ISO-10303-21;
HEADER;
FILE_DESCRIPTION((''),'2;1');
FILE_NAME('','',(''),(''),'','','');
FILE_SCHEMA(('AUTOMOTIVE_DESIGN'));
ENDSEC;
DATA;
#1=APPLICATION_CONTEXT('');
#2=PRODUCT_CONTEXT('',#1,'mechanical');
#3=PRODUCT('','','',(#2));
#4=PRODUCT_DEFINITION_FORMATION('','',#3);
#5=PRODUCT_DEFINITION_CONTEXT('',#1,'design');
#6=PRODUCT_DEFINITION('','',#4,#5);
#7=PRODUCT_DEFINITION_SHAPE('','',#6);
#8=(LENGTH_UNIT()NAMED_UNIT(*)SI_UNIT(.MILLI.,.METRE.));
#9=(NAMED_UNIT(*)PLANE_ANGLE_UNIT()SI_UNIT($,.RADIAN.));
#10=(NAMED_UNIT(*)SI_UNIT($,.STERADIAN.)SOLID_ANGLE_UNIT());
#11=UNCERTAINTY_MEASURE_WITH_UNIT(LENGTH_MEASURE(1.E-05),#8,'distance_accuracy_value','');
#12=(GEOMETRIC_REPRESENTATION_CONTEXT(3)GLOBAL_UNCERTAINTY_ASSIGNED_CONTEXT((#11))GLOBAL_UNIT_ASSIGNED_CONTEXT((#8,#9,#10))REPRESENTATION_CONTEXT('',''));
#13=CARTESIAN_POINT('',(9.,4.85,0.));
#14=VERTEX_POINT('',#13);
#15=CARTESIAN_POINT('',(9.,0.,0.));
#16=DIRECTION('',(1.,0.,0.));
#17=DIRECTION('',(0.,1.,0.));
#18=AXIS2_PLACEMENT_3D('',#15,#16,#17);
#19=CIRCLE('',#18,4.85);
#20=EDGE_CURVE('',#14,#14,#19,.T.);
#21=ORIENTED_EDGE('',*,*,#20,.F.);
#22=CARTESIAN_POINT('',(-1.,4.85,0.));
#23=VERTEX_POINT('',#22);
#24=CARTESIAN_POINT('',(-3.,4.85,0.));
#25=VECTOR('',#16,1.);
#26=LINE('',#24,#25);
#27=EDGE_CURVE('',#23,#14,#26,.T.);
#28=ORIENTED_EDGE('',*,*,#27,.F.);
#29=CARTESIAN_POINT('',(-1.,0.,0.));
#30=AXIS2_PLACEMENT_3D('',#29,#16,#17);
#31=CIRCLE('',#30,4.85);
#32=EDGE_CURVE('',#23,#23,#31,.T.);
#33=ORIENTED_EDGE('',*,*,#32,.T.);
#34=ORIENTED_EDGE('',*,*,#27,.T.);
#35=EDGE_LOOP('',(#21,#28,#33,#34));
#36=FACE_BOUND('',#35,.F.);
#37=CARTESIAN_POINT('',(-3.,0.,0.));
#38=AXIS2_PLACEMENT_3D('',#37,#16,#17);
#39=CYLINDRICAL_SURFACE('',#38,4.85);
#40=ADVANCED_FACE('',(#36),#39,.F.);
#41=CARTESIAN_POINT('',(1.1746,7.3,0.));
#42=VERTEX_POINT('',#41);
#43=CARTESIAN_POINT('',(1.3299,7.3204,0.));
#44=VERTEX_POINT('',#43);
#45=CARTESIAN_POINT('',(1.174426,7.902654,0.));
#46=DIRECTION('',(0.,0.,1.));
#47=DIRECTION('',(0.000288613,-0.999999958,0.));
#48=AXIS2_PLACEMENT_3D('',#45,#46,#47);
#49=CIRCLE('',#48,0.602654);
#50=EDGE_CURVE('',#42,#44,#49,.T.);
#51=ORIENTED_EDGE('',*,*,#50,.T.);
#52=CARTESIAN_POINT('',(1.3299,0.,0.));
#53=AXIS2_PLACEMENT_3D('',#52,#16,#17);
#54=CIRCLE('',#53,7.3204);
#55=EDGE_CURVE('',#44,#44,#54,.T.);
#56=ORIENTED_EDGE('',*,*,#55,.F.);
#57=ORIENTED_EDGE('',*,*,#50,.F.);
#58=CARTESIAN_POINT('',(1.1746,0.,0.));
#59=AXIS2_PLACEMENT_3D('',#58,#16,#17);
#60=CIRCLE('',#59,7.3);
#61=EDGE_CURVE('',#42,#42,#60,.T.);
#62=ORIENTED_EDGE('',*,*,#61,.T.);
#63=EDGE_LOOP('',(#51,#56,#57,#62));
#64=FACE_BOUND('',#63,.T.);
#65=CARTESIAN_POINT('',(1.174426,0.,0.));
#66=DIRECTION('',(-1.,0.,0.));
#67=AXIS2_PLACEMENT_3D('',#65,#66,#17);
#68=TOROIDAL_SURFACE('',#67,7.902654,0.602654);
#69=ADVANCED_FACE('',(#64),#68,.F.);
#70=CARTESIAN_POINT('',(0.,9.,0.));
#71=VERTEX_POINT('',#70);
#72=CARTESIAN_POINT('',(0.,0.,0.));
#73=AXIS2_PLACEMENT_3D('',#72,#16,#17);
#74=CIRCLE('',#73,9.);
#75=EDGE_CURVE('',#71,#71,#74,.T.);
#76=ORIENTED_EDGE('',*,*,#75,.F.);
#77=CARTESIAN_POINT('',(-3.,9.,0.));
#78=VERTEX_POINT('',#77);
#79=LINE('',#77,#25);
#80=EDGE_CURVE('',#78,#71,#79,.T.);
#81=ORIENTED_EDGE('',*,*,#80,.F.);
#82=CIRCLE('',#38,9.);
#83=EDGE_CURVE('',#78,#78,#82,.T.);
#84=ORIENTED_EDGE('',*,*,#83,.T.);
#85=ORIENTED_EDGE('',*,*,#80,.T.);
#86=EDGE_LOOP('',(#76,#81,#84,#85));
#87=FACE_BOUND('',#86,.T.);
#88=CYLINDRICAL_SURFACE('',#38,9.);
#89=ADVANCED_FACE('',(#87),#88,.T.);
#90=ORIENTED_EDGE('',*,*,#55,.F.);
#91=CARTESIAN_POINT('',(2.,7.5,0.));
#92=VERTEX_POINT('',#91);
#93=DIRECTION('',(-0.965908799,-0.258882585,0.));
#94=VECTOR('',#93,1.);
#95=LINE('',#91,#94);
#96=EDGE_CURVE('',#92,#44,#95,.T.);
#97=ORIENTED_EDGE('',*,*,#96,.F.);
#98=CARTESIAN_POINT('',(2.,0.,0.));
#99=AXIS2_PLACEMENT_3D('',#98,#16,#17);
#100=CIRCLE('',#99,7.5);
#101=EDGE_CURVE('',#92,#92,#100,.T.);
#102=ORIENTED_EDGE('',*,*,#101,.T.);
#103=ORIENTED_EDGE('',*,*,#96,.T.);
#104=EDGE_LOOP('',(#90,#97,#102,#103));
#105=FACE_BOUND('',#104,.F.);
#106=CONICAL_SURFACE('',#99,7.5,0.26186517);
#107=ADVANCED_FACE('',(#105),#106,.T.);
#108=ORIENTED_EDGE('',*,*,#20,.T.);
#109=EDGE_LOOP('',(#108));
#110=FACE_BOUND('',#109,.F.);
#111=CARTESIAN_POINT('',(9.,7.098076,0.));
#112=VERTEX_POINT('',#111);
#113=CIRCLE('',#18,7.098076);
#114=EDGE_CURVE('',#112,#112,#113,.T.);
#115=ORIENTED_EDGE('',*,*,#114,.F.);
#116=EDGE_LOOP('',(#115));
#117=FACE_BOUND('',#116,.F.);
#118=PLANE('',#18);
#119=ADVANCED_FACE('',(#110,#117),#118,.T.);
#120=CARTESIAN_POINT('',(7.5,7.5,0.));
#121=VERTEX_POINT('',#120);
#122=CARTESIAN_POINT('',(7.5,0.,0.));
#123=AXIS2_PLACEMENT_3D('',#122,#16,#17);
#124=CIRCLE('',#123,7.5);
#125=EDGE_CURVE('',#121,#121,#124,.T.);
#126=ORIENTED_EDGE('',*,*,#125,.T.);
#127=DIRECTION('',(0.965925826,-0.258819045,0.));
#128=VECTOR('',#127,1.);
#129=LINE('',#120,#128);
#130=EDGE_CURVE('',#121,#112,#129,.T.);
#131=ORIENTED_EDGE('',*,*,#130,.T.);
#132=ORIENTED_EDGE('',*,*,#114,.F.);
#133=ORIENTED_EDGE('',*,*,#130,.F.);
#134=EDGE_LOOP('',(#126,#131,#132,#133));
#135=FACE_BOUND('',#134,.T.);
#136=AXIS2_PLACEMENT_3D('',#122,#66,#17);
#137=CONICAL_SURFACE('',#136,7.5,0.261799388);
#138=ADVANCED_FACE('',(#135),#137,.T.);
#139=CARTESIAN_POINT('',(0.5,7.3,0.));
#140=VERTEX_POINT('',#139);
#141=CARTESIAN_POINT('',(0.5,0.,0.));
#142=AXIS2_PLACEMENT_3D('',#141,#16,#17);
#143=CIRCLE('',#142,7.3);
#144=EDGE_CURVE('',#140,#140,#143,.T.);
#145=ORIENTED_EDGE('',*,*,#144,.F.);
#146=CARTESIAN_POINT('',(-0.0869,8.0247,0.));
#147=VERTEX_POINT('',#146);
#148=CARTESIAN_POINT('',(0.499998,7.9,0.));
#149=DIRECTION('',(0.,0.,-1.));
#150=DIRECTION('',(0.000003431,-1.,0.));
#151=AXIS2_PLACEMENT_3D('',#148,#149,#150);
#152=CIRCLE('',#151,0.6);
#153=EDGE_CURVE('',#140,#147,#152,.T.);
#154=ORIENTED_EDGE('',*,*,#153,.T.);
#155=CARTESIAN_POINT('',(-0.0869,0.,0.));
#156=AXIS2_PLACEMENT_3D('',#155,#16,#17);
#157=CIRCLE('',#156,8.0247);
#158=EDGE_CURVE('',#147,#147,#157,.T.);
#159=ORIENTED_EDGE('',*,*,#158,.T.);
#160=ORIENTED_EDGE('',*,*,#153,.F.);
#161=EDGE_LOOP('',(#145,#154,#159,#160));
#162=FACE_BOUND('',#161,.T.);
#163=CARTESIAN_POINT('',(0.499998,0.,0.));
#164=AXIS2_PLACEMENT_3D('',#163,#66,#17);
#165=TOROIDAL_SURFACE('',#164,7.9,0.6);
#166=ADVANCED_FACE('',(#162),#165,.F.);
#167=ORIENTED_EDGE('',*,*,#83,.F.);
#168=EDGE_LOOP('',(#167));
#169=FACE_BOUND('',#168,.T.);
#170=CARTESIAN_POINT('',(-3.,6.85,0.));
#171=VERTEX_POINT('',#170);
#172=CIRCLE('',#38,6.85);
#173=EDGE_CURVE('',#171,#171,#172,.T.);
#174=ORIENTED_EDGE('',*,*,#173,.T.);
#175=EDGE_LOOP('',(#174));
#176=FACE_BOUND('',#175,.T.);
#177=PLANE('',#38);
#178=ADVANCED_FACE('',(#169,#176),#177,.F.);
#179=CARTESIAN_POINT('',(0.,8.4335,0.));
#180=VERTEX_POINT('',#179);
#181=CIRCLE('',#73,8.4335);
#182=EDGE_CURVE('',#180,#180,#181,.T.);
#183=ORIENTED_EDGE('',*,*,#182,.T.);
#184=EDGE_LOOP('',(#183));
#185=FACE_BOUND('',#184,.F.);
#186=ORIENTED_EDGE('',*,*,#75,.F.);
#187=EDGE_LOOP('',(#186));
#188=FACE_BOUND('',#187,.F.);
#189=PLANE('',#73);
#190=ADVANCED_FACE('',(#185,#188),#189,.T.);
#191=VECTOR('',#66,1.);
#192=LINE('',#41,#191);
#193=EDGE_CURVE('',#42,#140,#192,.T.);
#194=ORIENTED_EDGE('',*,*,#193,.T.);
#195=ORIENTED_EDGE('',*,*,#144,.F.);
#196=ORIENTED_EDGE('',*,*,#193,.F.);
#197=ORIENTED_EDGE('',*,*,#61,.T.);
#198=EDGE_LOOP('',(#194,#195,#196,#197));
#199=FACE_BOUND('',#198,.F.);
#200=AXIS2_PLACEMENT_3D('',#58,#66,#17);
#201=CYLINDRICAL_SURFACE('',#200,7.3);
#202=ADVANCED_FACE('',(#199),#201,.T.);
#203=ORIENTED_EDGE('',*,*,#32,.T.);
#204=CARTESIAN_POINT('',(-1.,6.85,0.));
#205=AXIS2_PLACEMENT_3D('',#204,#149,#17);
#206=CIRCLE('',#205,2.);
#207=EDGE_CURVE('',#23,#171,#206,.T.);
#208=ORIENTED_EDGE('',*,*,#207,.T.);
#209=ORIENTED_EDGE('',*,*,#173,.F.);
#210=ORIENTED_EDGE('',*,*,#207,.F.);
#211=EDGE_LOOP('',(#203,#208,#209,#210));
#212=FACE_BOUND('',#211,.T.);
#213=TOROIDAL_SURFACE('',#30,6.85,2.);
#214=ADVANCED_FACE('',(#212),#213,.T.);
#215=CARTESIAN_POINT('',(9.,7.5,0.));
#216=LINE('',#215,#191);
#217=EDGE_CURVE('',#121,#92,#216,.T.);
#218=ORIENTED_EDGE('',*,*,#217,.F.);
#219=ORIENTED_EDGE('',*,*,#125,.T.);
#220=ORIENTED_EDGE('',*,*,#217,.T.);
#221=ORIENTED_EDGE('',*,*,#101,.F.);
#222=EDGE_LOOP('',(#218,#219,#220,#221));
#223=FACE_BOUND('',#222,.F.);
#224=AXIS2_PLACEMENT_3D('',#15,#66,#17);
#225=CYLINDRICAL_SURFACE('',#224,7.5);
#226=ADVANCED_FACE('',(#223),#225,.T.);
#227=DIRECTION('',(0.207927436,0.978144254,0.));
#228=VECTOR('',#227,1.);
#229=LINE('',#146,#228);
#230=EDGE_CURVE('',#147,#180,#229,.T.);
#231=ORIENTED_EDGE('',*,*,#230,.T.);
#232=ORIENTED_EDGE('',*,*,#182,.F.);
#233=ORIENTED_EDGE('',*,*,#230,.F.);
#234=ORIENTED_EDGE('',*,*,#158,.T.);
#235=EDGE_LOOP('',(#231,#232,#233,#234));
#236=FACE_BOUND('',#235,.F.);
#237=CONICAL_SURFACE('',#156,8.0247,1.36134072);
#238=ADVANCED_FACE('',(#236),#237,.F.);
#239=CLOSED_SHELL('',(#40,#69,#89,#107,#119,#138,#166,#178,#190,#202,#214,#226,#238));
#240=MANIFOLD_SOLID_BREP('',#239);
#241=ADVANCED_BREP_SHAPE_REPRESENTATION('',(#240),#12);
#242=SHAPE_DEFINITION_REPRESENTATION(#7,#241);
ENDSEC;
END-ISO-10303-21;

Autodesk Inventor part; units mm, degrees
ref_plane "YZ Plane" through (0, 0, 0) normal (1, 0, 0) x (0, 1, 0)
ref_plane "XZ Plane" through (0, 0, 0) normal (0, 1, 0) x (-1, 0, 0)
ref_plane "XY Plane" through (0, 0, 0) normal (0, 0, 1) x (1, 0, 0)
sketch "Skizze1" plane through (0, 0, 0) normal (0, 0, 1) x (1, 0, 0)
  line L0 (-2.5, 0) -> (5.5, 0)
  line L1 (9, 4.85) -> (9, 7.5)
  line L2 (9, 7.5) -> (2, 7.5)
  line L3 (-3, 4.85) -> (-3, 9)
  line L4 (-3, 9) -> (0, 9)
  line L5 (2, 7.5) -> (1.3299, 7.3204)
  line L6 (1.1746, 7.3) -> (0.5, 7.3)
  line L7 (-0.0869, 8.0247) -> (0, 8.4335)
  line L8 (0, 8.4335) -> (0, 9)
  arc A0 (-0.0869, 8.0247) -> (0.5, 7.3) centre (0.5, 7.9) ccw
  arc A1 (1.1746, 7.3) -> (1.3299, 7.3204) centre (1.1746, 7.9) ccw
  line L9 (-28.4, 0) -> (128.4, 0) projected
  line L10 (0, -12) -> (0, 72) projected
  line L11 (-3, 4.85) -> (9, 4.85)
  dimension "d0" = 18
  dimension "d1" = 15
  dimension "d2" = 12
  dimension "d3" = 12
  dimension "d4" = 0.6
  dimension "d5" = 0.1
  dimension "d6" = 2
  dimension "d7" = 15
  dimension "d8" = 0.2
  dimension "d9" = 0.6
  dimension "d10" = 3
  dimension "d11" = 9.7
revolve "Körper" add sketch "Skizze1" angle 360 about axis through (-2.5, 0, 0) along (1, 0, 0) contours L11 L10 A0 L6 A1 L5 L2 L1 | L11 L3 L4 L8 L7 A0 L10
chamfer "Fase1" distance 1.5 angle 15 1 edges at (9, -7.5, 0) measured on face at (6.6667, 7.4029, -1.2031)
fillet "Rundung1" radius 2 1 edges at (-3, -4.85, 0)
equation "\"d12\" = PHH"
equation "\"d13\" = ANG"
equation "\"d29\" = PHH"
equation "\"d14\" = RR"
equation "\"d0\" = KOD"
equation "\"d1\" = SD2"
equation "\"d2\" = NLG"
equation "\"d4\" = FSRR"
equation "\"d5\" = FST2"
equation "\"d6\" = FSB"
equation "\"d8\" = FST1"
equation "\"d9\" = FSRR"
equation "\"d10\" = KOH"
equation "\"d11\" = NND"
equation "\"NLG\" = 12"
equation "\"NND\" = 9.7"
equation "\"KOD\" = 18"
equation "\"KOH\" = 3"
equation "\"SD2\" = 15"
equation "\"FST1\" = 0.2"
equation "\"FST2\" = 0.1"
equation "\"FSB\" = 2"
equation "\"FSRR\" = 0.6"
equation "\"PHH\" = 1.5"
equation "\"ANG\" = 15deg"
equation "\"RR\" = 2"
equation "\"NNDMIN\" = 8.1"
equation "\"FSH\" = 1.4"
equation "\"SEWI\" = 30deg"
properties part number "DIN 172 - A 9,7 x 12" material "Stahl, weich"
